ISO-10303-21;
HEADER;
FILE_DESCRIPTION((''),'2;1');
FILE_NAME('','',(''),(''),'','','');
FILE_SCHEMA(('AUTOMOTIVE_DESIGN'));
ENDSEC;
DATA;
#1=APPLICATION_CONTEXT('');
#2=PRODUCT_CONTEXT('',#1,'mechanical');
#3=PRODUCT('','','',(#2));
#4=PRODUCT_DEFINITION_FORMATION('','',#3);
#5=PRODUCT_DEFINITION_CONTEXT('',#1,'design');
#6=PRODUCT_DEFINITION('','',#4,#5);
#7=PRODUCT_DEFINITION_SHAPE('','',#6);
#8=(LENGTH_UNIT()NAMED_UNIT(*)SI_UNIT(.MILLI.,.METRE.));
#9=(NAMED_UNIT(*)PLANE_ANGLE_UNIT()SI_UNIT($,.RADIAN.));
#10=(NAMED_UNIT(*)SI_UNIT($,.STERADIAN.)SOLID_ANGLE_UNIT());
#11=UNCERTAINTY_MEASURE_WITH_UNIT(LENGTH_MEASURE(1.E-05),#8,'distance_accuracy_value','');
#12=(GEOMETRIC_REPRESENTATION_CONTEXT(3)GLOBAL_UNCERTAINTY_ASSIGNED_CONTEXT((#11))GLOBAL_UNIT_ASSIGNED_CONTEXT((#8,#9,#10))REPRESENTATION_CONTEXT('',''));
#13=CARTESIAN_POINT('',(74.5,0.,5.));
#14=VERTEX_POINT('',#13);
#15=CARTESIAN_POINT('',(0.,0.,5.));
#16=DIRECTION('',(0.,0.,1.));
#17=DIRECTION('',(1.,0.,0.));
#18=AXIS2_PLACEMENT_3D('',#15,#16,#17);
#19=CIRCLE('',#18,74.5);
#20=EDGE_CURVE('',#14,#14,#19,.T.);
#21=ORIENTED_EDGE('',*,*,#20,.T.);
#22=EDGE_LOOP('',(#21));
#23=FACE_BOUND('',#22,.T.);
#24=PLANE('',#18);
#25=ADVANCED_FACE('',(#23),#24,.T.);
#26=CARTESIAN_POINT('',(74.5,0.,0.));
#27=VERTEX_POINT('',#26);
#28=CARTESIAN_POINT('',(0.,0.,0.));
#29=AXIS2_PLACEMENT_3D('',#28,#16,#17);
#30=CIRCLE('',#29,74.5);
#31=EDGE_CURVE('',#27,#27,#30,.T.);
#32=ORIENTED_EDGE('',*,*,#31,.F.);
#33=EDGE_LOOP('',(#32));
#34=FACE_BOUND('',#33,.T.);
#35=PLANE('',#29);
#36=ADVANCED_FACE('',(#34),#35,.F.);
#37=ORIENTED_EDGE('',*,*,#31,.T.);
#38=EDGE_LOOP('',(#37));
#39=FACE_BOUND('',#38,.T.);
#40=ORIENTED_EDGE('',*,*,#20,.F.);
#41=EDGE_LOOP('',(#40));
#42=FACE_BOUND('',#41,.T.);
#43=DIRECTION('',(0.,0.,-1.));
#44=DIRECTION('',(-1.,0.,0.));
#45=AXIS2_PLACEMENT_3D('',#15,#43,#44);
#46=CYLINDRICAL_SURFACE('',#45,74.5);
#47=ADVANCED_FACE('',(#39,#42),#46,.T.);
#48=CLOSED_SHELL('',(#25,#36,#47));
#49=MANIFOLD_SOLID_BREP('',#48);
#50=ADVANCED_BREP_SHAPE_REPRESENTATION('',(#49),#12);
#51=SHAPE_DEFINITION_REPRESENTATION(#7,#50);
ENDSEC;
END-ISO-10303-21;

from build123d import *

# Parameters (mm, degrees)
ESQUISSE1_R        = 74.5
BOSS_EXTRU_1_DEPTH = 5


with BuildPart() as part:
    # Esquisse1 → Boss.-Extru.1 (new body)
    with BuildSketch(Plane.XY):
        Circle(ESQUISSE1_R)
    extrude(amount=BOSS_EXTRU_1_DEPTH)


solid = part.part
